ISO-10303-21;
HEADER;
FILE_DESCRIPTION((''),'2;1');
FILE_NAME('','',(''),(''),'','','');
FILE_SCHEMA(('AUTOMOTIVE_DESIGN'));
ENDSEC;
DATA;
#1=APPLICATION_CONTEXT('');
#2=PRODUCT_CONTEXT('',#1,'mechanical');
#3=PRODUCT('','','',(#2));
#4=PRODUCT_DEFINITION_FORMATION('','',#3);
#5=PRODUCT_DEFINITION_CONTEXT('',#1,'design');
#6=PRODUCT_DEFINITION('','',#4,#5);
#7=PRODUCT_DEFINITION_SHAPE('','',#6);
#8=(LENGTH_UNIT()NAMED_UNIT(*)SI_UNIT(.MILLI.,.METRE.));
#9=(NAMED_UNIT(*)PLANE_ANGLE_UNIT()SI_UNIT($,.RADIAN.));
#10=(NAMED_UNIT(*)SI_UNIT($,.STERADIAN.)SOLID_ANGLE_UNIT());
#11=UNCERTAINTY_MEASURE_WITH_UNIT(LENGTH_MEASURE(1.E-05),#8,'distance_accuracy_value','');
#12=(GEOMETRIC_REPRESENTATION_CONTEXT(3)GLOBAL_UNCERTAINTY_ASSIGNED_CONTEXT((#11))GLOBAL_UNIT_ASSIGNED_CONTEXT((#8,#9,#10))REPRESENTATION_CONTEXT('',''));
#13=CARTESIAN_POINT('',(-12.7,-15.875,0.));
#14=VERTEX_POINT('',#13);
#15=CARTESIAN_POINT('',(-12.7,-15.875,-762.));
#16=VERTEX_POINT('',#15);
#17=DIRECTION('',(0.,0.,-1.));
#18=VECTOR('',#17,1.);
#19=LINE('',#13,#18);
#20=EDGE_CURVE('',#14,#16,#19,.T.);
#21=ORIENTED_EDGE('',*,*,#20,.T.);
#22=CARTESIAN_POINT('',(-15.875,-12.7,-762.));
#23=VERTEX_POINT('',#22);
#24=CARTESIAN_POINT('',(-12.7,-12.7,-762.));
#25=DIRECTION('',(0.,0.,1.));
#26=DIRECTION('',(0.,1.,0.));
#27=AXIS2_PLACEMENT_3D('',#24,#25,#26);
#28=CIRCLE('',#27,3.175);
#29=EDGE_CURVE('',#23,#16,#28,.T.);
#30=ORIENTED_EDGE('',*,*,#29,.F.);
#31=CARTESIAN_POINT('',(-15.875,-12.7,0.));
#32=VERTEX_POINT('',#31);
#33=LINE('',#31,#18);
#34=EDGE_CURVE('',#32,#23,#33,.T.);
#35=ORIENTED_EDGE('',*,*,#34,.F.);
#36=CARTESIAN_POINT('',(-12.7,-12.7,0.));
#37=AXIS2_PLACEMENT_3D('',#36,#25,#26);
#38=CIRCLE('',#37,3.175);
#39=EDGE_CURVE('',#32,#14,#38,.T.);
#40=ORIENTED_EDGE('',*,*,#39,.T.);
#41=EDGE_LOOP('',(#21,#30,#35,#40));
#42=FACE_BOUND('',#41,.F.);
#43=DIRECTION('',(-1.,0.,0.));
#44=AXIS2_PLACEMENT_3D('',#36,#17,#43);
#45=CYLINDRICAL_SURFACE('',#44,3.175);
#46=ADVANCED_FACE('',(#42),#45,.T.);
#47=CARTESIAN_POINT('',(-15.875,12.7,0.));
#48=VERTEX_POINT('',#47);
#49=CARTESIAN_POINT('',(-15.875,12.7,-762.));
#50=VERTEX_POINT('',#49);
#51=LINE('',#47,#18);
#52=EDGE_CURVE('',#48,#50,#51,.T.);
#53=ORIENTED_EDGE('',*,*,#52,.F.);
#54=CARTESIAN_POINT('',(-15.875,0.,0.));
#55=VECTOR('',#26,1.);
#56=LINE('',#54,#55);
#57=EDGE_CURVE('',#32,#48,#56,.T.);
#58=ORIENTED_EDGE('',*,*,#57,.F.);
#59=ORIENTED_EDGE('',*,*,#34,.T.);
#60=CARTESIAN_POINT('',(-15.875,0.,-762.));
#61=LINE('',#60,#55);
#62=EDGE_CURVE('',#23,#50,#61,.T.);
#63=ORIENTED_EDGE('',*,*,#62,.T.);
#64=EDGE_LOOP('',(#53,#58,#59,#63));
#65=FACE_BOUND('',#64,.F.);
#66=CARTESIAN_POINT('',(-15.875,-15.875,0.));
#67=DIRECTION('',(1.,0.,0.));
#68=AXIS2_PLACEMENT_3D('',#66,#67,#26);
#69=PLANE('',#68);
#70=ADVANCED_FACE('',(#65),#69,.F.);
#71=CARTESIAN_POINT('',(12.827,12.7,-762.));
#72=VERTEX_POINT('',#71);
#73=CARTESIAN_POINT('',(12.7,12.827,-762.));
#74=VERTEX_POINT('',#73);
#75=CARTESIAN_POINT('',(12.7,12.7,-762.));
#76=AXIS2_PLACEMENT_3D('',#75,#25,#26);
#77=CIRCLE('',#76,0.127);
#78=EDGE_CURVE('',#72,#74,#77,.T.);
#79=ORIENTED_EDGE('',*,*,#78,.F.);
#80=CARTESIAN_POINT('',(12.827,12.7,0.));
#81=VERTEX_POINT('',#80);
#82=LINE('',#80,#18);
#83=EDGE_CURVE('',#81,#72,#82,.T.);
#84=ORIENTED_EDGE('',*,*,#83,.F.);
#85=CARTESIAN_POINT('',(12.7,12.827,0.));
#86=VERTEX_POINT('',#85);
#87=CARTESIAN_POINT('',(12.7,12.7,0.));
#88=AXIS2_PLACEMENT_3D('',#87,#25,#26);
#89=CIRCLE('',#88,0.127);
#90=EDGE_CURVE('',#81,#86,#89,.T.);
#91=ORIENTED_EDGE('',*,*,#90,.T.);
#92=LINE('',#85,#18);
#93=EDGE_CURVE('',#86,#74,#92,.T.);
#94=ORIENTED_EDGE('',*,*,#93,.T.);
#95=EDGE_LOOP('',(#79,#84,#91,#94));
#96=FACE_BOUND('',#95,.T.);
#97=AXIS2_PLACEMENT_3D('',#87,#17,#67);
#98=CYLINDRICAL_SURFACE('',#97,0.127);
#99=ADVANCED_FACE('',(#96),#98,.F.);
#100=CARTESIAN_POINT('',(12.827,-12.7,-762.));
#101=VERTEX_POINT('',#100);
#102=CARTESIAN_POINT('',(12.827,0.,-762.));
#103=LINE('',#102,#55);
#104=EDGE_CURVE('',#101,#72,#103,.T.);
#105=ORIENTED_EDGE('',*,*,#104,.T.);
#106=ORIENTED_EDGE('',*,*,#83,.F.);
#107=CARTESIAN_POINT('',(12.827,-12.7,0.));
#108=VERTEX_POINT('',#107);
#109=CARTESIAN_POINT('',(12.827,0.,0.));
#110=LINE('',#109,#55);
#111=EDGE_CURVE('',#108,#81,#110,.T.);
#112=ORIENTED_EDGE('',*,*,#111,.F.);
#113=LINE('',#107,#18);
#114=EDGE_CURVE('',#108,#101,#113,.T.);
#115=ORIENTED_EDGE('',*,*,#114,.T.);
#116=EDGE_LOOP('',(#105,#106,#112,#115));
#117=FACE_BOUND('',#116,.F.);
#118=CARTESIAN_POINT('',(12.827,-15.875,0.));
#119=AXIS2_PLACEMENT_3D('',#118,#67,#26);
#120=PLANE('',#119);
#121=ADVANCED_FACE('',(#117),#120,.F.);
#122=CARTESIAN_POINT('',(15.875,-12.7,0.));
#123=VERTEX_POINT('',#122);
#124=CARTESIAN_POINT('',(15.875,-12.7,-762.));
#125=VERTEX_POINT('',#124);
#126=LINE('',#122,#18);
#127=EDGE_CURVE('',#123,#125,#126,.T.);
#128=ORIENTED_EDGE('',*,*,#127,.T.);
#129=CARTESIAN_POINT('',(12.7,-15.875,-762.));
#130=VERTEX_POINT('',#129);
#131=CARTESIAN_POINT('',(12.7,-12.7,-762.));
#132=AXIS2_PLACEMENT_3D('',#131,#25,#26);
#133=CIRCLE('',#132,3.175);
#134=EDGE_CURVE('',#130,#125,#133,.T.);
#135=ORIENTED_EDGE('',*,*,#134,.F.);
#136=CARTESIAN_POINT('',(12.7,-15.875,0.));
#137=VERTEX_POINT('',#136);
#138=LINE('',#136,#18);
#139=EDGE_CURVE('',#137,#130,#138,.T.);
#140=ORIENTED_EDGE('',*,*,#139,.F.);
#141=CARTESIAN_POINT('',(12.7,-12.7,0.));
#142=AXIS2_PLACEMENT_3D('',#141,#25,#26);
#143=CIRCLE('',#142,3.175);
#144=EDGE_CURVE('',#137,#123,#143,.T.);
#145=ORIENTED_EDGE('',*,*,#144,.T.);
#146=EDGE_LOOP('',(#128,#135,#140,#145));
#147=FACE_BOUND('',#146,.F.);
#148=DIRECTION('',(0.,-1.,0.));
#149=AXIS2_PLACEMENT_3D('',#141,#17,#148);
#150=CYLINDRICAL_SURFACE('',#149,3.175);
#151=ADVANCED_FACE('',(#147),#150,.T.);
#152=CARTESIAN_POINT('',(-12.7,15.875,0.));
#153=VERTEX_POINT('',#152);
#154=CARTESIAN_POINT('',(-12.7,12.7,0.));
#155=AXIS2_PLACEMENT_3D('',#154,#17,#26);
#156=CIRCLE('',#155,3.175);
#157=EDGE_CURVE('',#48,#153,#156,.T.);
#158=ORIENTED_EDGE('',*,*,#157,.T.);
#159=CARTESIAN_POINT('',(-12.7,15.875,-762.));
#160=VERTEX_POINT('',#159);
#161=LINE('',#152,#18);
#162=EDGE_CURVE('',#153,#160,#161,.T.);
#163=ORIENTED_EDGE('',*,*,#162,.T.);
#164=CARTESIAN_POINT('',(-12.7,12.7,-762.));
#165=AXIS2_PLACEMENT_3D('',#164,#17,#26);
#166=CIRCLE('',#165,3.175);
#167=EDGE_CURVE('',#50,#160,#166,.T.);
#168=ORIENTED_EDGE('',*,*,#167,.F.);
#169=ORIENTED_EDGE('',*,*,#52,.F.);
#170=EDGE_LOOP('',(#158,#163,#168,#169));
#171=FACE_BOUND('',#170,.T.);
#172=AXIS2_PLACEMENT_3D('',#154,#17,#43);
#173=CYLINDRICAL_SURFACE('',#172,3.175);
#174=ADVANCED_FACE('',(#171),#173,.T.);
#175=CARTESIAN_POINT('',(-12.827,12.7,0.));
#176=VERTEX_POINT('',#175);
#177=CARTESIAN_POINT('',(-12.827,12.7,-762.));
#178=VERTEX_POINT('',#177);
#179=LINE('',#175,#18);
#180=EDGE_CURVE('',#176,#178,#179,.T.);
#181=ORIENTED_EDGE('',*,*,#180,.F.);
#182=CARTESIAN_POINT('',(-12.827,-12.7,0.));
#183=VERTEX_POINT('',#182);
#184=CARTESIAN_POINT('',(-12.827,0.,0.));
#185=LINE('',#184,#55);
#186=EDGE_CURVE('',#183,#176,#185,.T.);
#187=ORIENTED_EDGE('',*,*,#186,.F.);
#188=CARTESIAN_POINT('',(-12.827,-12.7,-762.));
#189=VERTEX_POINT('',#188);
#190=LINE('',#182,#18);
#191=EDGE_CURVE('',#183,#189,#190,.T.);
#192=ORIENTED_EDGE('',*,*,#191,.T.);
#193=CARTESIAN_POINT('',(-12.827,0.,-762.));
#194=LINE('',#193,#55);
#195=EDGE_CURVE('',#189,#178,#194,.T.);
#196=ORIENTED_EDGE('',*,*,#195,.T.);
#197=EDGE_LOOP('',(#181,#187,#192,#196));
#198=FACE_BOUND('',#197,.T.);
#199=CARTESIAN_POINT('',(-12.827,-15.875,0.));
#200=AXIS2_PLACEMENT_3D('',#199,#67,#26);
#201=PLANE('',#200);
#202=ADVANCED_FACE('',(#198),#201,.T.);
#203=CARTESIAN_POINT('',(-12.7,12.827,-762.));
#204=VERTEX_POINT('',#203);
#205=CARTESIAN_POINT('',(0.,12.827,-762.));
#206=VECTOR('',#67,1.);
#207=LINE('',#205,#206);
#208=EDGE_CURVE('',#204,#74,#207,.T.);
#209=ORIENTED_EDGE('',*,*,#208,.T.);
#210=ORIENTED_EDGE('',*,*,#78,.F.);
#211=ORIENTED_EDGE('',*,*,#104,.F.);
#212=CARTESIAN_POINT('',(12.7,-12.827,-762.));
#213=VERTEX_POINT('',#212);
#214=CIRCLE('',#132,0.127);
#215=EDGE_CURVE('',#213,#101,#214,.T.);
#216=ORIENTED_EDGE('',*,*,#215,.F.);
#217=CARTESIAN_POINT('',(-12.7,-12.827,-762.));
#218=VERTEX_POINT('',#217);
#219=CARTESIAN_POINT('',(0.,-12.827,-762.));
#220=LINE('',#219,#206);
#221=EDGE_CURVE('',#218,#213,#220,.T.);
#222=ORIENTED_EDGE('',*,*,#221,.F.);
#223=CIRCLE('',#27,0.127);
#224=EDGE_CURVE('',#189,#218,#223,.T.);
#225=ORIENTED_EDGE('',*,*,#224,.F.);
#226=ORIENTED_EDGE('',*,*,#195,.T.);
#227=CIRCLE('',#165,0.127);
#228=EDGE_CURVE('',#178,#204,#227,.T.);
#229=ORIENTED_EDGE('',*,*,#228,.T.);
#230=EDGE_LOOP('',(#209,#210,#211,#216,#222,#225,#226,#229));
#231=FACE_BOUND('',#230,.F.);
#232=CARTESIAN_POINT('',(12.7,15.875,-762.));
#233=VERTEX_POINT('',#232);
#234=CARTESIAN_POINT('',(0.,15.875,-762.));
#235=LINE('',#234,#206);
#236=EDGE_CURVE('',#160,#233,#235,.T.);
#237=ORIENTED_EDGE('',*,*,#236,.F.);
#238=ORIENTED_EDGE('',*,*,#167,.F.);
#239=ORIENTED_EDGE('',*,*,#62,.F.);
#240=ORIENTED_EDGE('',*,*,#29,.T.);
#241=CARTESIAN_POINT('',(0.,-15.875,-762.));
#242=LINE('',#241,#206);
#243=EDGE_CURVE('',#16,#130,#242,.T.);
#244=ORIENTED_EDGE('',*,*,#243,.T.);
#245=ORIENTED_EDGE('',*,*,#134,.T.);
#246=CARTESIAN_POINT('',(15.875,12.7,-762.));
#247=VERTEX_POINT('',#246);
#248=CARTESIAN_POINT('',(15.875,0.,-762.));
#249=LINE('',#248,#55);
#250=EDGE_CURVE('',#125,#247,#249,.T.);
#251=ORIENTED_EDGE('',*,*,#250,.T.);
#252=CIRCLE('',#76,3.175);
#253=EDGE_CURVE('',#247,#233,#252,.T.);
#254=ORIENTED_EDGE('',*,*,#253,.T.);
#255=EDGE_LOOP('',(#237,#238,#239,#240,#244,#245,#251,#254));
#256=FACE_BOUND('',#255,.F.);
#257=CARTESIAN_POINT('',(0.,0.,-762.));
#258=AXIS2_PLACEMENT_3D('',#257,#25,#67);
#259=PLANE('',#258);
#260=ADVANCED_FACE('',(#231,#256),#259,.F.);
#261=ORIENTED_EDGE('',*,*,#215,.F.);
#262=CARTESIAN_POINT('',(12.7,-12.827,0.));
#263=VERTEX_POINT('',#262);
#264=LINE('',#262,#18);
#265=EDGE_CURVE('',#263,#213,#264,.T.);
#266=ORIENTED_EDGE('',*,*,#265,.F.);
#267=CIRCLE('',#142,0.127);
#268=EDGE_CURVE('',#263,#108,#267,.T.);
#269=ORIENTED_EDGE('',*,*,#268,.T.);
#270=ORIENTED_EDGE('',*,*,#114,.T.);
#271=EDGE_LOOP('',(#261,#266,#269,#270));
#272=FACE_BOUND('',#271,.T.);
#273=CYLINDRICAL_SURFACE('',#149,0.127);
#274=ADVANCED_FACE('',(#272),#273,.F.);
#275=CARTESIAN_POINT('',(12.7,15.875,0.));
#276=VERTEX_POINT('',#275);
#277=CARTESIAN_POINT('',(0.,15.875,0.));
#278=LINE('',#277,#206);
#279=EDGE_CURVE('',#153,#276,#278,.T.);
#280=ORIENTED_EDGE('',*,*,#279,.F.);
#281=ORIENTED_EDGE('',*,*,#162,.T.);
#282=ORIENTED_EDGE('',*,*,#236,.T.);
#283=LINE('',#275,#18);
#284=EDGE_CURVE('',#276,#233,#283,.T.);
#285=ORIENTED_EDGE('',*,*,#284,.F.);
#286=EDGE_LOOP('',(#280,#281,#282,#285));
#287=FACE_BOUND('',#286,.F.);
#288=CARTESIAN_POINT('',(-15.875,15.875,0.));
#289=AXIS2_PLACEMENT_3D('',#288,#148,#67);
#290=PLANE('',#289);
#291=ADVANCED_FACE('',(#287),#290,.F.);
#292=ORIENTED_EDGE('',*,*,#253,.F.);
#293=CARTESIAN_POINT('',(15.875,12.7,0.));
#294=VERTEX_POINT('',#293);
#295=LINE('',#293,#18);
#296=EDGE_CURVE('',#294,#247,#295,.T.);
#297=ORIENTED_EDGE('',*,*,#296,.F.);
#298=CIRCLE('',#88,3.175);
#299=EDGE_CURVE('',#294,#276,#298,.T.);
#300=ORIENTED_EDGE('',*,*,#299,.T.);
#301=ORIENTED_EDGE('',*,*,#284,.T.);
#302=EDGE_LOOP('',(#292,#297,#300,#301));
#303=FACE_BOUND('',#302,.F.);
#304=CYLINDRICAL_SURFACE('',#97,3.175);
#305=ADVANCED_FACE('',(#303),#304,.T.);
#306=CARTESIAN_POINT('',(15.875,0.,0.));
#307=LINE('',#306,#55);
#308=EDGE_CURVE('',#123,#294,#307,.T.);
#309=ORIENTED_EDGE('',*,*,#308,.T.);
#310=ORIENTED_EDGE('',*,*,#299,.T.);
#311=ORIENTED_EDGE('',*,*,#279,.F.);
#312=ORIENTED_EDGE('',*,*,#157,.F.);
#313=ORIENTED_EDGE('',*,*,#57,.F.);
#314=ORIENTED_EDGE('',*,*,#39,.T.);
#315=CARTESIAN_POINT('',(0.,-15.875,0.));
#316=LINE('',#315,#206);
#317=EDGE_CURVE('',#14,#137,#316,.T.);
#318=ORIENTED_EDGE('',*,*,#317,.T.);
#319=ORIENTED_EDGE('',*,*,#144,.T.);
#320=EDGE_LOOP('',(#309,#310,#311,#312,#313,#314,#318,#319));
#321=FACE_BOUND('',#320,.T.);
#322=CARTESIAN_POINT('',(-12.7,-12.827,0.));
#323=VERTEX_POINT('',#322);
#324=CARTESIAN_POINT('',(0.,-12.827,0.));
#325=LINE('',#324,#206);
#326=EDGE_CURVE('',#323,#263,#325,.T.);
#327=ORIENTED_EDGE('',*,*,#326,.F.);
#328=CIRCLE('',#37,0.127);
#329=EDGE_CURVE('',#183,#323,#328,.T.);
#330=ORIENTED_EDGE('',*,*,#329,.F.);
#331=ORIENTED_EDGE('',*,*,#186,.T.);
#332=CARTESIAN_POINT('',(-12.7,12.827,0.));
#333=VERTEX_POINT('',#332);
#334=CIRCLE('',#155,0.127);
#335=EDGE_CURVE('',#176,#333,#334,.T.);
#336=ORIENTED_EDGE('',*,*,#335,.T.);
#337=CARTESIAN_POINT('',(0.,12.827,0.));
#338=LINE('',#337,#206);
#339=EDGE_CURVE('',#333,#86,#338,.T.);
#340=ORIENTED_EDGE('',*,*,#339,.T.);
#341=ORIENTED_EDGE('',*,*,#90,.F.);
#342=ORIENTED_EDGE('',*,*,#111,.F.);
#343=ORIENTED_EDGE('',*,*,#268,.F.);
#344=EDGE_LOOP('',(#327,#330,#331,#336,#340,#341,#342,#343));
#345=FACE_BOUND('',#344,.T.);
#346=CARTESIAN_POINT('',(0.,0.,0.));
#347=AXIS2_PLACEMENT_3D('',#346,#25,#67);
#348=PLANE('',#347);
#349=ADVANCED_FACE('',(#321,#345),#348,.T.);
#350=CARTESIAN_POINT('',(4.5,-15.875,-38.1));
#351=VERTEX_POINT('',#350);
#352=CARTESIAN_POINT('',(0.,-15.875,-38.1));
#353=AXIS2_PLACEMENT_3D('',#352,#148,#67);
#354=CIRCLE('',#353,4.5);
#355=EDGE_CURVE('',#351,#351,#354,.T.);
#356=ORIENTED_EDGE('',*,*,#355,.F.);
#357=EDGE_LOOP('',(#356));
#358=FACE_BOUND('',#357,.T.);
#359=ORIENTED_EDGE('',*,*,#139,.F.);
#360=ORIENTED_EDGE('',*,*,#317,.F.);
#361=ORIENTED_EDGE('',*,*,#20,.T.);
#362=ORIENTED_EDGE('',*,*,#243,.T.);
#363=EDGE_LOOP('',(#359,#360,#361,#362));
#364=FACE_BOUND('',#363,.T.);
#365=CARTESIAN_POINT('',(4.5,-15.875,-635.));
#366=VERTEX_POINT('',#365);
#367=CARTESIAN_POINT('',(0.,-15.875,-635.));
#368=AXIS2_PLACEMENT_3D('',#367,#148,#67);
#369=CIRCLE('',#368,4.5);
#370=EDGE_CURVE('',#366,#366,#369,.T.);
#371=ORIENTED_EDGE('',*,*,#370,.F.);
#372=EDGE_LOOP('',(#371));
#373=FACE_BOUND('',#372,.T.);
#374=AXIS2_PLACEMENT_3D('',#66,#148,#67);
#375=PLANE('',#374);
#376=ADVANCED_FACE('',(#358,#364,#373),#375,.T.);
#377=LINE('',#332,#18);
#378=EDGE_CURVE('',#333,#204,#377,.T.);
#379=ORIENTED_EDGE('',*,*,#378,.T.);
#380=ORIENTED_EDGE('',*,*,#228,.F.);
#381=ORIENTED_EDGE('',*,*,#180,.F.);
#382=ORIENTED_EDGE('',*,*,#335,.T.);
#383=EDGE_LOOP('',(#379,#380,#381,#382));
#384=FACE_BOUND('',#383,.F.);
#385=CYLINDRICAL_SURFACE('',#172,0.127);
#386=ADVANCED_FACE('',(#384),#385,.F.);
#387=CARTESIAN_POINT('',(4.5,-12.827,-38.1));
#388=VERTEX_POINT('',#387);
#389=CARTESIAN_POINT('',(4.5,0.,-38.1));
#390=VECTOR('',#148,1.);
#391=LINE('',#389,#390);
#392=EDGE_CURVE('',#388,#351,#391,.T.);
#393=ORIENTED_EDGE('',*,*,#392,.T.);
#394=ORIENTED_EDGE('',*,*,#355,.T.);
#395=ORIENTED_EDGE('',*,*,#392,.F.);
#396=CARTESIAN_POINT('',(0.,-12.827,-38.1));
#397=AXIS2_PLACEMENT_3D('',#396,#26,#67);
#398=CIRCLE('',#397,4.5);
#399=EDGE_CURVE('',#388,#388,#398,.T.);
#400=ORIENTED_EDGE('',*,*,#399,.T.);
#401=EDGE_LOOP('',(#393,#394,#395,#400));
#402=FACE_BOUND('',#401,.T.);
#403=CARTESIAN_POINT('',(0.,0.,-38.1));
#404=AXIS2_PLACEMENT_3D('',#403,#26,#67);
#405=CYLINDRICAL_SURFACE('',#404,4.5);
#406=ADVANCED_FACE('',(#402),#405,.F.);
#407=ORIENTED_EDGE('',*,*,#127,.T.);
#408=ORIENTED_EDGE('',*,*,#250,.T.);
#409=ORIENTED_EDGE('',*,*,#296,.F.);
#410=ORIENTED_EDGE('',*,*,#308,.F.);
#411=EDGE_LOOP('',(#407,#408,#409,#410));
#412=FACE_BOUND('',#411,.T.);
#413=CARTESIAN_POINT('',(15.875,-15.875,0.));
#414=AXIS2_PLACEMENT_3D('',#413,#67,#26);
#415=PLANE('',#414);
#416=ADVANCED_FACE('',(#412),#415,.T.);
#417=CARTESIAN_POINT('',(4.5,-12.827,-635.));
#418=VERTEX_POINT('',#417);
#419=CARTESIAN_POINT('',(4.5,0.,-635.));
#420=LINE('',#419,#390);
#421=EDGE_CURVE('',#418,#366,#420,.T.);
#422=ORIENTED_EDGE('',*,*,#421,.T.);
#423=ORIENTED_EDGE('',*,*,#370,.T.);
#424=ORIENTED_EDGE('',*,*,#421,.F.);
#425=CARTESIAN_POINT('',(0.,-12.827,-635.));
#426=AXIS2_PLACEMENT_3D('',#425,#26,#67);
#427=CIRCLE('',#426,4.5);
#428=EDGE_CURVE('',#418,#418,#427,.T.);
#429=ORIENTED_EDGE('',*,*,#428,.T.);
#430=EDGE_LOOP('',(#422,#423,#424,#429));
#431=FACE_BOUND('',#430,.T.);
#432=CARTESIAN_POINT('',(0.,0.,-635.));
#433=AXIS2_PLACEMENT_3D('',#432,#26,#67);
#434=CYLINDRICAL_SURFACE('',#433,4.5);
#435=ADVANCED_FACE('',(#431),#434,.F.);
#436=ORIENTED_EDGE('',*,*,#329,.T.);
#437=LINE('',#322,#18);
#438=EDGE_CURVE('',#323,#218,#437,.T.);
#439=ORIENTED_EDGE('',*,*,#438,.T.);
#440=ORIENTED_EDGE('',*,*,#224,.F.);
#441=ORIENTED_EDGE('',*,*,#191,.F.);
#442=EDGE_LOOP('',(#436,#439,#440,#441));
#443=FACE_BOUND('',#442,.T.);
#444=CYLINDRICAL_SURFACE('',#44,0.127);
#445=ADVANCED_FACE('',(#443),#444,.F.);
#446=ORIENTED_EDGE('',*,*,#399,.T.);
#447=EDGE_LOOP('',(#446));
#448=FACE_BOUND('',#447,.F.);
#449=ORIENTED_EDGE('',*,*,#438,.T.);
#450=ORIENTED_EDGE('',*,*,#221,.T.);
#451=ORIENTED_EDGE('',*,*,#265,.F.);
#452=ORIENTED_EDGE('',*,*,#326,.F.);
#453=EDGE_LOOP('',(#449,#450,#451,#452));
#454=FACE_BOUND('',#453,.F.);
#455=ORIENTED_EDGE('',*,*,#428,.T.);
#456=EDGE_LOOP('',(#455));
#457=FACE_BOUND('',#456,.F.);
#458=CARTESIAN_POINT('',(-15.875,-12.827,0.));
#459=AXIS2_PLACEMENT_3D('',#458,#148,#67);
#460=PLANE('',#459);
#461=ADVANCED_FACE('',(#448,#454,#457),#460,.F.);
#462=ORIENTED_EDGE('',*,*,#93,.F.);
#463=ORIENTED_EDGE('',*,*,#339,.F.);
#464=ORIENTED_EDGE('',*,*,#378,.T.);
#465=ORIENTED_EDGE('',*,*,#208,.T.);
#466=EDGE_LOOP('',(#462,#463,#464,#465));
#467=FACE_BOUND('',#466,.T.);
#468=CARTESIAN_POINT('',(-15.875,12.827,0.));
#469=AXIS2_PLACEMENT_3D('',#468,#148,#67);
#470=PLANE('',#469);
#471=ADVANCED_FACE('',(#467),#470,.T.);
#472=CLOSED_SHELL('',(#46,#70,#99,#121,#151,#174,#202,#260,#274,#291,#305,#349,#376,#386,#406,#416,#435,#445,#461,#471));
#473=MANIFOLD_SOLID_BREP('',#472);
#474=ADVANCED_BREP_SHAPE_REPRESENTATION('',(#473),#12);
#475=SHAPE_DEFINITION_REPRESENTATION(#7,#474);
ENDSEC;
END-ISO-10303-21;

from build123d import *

# Parameters (mm, degrees)
F0_W     = 31.75
F0_H     = 31.75
F1_DEPTH = 762
F2_R     = 3.175
F3_T     = -3.048
F4_R     = 4.5
F5_DEPTH = 15.875


with BuildPart() as f1:
    # F0 (on Top) → F1 (new body)
    with BuildSketch(Plane.XY):
        Rectangle(F0_W, F0_H)
    extrude(amount=-F1_DEPTH)

    # F2
    f2_edges = [f1.edges().sort_by_distance(p)[0] for p in [
        (-15.875, 15.875, -381),
        (-15.875, -15.875, -381),
        (15.875, 15.875, -381),
        (15.875, -15.875, -381),
    ]]
    fillet(f2_edges, radius=F2_R)

    # F3
    f3_openings = [f1.faces().sort_by_distance(p)[0] for p in [
        (0, 0, 0),
        (0, 0, -762),
    ]]
    offset(amount=F3_T, openings=f3_openings)

    # F4 (on Front) → F5 (cut, through all)
    with BuildSketch(Plane.XZ):
        with Locations((0, -38.1)):
            Circle(F4_R)
        with Locations((0, -635)):
            Circle(F4_R)
    extrude(amount=F5_DEPTH, mode=Mode.SUBTRACT)


solid = f1.part
